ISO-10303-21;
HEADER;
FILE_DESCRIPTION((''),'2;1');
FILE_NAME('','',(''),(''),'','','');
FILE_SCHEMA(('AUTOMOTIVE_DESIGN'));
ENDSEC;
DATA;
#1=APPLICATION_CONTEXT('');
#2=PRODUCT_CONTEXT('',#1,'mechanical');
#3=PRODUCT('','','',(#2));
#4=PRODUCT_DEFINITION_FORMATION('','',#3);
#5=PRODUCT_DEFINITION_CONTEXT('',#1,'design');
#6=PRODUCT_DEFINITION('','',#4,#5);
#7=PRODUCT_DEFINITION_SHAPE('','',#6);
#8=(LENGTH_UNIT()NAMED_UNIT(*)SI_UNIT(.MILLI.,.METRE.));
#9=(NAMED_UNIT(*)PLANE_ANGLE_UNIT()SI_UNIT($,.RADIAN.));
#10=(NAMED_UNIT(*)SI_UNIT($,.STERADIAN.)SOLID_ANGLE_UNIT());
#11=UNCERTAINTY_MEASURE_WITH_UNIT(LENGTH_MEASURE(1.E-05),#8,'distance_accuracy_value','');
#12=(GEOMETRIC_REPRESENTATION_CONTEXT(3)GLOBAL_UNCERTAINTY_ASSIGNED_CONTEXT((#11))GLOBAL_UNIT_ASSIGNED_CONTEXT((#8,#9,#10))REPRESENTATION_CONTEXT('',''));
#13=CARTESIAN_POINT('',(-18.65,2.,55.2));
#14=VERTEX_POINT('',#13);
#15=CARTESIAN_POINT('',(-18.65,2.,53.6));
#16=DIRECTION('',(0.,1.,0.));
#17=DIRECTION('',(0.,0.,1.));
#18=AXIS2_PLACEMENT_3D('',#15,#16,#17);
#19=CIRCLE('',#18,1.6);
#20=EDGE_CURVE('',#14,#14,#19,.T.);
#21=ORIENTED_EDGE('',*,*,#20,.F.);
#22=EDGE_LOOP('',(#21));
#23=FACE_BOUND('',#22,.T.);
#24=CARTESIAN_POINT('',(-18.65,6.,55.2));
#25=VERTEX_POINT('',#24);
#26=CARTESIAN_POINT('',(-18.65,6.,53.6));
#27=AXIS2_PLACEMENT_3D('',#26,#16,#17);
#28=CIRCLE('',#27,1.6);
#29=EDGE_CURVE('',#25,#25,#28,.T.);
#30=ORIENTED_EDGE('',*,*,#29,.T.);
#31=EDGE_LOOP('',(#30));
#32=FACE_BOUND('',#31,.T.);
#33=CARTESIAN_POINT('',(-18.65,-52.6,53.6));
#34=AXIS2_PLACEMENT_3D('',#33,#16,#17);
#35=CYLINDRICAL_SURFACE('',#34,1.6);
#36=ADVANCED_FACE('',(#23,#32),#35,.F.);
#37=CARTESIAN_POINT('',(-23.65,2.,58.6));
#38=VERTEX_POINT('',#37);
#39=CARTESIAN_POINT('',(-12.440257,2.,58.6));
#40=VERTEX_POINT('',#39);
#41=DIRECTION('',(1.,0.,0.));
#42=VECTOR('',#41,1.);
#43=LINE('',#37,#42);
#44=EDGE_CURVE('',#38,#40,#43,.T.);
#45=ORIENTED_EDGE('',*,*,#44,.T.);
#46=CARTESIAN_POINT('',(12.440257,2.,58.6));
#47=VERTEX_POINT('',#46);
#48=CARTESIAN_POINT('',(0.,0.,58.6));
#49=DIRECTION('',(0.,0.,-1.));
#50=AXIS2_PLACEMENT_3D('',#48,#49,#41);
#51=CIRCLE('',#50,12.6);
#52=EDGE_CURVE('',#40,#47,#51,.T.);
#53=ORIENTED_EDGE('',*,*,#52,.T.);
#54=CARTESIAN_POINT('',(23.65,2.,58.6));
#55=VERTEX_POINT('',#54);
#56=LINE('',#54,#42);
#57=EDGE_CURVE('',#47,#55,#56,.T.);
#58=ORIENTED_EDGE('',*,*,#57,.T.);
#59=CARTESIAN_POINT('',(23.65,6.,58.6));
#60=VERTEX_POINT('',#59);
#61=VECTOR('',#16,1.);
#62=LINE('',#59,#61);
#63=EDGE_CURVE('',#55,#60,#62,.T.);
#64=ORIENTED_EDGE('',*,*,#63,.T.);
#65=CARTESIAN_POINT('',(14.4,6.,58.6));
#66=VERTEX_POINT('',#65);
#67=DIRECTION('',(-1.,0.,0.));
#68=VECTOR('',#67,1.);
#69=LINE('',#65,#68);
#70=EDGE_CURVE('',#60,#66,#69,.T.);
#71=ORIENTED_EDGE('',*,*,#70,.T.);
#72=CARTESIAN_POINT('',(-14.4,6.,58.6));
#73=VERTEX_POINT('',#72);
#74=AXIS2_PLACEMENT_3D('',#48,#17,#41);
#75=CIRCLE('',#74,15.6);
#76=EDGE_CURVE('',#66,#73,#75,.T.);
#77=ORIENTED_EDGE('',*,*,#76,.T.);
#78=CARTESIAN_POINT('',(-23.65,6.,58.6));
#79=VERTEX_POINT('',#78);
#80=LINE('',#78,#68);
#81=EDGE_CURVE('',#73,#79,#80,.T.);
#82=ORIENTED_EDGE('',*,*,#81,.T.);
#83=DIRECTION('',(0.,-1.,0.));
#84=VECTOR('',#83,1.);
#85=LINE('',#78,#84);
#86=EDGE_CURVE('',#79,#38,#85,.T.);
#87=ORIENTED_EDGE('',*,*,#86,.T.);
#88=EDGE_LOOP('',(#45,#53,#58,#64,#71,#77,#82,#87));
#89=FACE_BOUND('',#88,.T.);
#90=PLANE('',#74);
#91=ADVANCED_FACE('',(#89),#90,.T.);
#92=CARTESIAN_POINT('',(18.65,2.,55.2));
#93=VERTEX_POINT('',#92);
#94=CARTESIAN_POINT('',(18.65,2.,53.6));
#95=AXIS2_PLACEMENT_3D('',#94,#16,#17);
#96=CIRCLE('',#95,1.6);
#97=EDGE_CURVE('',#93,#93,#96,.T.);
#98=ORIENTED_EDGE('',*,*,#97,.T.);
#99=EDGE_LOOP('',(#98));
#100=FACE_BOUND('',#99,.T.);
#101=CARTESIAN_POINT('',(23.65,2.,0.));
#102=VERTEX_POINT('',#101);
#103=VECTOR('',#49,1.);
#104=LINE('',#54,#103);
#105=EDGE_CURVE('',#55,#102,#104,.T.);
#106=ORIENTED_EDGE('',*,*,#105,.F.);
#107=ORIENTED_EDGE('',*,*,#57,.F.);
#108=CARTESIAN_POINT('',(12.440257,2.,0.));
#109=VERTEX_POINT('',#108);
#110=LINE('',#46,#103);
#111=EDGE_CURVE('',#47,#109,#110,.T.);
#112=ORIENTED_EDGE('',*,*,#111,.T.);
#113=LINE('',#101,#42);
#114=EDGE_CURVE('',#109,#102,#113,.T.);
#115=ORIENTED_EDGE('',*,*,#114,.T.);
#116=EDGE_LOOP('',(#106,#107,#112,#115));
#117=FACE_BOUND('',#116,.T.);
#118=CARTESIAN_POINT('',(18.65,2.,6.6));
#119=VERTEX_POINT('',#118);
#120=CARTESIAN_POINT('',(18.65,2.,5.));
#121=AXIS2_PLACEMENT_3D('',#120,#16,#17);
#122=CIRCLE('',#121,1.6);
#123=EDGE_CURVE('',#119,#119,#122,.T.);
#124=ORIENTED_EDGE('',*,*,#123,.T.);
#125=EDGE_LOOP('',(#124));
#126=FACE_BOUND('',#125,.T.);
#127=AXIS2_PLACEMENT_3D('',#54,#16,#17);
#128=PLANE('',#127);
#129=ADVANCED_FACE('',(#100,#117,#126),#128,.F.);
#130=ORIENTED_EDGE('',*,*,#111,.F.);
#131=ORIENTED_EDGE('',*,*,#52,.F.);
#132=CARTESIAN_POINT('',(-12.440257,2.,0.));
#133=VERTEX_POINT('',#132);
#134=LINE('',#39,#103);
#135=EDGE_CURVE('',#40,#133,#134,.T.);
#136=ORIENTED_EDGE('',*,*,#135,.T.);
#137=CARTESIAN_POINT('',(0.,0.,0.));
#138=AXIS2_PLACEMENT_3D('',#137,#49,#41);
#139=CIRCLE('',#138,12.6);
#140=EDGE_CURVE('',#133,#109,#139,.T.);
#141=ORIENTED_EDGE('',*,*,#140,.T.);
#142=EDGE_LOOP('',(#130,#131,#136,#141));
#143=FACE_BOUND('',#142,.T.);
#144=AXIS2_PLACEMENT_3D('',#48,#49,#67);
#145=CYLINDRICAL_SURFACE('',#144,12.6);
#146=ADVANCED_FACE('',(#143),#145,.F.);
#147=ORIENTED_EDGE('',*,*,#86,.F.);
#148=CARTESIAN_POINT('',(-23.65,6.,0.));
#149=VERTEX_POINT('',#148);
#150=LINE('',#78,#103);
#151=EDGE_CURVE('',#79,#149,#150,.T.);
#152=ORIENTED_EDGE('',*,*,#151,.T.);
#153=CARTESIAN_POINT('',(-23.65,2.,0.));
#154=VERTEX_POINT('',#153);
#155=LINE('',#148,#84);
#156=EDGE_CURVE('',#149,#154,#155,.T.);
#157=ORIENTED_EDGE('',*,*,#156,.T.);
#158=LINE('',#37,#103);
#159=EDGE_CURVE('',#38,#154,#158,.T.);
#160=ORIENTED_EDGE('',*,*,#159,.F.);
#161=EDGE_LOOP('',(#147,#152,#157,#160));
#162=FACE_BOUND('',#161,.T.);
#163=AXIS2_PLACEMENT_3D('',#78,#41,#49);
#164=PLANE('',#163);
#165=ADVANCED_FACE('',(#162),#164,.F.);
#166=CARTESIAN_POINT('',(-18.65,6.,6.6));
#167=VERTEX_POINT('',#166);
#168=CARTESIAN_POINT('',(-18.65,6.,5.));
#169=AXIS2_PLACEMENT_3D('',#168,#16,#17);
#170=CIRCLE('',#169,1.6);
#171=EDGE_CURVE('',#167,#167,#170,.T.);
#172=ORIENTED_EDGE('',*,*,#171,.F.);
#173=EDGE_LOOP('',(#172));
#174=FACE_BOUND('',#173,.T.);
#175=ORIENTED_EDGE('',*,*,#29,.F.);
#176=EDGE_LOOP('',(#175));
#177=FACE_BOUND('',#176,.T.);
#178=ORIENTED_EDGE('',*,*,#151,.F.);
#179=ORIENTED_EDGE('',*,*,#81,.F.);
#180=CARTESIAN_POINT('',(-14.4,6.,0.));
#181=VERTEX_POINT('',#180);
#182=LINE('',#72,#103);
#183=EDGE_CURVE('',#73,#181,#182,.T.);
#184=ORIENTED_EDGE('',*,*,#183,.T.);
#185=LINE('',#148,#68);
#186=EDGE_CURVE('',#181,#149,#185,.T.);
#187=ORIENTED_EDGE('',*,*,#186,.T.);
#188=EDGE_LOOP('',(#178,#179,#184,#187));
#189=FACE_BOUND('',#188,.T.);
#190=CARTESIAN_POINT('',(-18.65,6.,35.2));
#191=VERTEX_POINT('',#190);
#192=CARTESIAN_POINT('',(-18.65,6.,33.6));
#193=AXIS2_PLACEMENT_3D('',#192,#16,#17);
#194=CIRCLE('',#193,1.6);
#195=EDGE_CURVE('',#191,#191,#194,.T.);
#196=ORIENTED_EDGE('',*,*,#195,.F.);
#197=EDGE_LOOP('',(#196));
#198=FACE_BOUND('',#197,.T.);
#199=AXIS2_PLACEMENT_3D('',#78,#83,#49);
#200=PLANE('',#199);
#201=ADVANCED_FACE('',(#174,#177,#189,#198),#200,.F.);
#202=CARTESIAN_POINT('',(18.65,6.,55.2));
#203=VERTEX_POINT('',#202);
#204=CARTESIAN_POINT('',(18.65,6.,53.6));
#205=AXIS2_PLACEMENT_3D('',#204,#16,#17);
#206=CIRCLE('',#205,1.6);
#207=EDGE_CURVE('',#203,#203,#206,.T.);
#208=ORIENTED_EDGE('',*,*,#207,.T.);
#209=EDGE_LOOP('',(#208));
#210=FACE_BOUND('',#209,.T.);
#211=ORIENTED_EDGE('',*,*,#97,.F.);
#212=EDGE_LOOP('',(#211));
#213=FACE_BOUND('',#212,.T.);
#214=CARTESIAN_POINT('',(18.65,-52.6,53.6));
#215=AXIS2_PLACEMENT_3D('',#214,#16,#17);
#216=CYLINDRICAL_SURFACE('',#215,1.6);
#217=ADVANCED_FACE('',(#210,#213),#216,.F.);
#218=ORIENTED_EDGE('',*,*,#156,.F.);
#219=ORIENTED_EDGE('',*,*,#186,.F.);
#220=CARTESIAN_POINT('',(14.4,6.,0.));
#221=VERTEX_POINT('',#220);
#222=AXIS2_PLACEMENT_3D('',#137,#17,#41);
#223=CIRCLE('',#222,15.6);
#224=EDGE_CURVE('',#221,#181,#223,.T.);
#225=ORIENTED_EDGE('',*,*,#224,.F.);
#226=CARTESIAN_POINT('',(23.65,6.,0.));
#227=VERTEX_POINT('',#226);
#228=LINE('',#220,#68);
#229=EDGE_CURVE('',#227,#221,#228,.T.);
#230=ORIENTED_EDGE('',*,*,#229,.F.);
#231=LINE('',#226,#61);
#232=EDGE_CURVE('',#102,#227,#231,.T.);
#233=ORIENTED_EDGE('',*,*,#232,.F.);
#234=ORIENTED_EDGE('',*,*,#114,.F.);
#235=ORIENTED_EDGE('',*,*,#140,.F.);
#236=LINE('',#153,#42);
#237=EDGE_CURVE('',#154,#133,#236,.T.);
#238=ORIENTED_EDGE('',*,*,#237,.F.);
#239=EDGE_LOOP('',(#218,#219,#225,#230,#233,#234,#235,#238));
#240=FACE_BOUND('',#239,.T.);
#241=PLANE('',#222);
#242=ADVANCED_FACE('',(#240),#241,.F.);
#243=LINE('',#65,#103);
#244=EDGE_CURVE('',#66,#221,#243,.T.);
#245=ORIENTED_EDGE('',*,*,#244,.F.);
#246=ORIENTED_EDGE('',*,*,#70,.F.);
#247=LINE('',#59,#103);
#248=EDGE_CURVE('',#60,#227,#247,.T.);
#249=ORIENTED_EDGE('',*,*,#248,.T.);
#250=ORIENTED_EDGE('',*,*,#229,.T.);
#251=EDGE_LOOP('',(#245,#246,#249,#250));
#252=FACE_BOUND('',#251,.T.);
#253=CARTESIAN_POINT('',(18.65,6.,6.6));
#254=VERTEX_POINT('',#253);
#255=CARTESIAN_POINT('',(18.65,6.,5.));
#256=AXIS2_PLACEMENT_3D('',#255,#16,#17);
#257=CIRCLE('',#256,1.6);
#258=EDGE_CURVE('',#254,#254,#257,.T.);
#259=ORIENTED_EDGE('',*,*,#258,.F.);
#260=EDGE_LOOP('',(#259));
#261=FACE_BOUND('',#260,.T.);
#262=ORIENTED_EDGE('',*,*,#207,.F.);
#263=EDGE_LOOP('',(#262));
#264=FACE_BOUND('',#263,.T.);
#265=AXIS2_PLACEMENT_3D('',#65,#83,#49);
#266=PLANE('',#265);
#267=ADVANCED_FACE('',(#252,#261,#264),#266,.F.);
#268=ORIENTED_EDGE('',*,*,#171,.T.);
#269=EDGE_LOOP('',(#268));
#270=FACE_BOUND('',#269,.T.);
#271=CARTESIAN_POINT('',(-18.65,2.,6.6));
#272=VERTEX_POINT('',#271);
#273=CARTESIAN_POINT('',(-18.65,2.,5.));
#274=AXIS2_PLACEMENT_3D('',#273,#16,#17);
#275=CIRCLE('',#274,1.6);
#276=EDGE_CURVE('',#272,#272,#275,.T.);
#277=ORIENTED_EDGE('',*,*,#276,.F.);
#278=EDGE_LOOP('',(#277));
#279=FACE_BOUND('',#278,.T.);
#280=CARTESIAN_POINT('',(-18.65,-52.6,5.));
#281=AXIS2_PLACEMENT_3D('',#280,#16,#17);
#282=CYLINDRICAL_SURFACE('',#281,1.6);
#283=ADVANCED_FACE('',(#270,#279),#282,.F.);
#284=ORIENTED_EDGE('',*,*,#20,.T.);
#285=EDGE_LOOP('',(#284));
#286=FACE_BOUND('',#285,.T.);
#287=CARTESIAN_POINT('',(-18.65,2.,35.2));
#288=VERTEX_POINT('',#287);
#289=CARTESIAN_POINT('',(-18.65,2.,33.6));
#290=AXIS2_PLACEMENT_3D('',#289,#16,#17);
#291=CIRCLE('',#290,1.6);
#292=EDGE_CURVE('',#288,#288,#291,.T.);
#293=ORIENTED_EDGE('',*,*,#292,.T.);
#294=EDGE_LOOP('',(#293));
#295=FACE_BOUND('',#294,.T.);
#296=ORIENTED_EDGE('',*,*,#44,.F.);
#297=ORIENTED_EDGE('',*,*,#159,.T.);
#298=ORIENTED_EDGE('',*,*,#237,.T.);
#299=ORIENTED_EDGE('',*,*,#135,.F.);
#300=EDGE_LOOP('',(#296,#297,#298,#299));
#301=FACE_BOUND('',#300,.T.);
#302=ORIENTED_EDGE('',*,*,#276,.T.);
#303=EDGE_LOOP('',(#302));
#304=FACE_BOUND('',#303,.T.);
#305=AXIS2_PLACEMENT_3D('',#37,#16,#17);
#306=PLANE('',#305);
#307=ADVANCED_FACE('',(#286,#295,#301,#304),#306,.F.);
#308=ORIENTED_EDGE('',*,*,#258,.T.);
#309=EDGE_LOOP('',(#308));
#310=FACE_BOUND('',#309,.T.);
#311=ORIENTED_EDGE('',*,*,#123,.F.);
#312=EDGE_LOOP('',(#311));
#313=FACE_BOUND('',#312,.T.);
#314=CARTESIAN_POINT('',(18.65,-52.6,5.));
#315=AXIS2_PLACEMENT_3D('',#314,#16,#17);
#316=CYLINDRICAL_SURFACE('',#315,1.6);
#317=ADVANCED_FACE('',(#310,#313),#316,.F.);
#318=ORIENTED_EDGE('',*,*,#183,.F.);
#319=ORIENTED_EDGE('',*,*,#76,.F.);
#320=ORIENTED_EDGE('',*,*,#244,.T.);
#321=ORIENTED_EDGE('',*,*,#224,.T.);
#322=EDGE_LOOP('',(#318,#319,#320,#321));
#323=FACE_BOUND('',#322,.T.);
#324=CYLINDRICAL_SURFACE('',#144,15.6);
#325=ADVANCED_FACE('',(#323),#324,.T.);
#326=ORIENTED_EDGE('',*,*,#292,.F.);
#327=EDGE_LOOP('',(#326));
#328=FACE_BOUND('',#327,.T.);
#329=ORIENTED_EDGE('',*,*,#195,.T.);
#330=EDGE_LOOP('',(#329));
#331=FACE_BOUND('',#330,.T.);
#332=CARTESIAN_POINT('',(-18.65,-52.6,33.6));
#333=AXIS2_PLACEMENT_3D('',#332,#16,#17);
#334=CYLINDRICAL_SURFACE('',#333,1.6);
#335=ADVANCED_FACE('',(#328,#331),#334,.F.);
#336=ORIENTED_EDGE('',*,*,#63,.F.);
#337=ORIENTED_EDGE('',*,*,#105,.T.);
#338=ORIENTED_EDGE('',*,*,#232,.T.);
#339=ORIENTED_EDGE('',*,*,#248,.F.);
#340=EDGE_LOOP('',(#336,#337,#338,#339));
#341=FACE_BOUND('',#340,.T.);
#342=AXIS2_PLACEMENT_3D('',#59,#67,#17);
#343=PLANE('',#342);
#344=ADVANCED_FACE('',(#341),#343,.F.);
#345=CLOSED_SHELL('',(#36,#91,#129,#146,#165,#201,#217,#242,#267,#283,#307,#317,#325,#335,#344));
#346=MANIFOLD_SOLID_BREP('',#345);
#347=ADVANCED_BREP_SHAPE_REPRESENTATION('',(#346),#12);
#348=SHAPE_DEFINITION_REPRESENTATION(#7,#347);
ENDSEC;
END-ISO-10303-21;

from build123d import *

# Parameters (mm, degrees)
BOSS_EXTRUDE1_DEPTH = 58.6
SKETCH2_R           = 1.6
CUT_EXTRUDE1_DEPTH  = 58.6


with BuildPart() as part:
    # Sketch1 → Boss-Extrude1 (new body)
    with BuildSketch(Plane.XY):
        with BuildLine():
            Line((-23.65, 6), (-14.4, 6))
            ThreePointArc((-14.4, 6), (0, 15.6), (14.4, 6))
            Line((14.4, 6), (23.65, 6))
            Line((23.65, 6), (23.65, 2))
            Line((23.65, 2), (12.440257232, 2))
            ThreePointArc((12.440257232, 2), (0, 12.6), (-12.440257232, 2))
            Line((-12.440257232, 2), (-23.65, 2))
            Line((-23.65, 2), (-23.65, 6))
        make_face()
    extrude(amount=BOSS_EXTRUDE1_DEPTH)

    # Sketch2 → Cut-Extrude1 (cut)
    with BuildSketch(Plane(origin=(0, 6, 0), x_dir=(1, 0, 0), z_dir=(0, 1, 0))):
        with Locations((18.65, -5)):
            Circle(SKETCH2_R)
        with Locations((18.65, -53.6)):
            Circle(SKETCH2_R)
        with Locations((-18.65, -53.6)):
            Circle(SKETCH2_R)
        with Locations((-18.65, -5)):
            Circle(SKETCH2_R)
        with Locations((-18.65, -33.6)):
            Circle(SKETCH2_R)
    extrude(amount=-CUT_EXTRUDE1_DEPTH, mode=Mode.SUBTRACT)


solid = part.part
